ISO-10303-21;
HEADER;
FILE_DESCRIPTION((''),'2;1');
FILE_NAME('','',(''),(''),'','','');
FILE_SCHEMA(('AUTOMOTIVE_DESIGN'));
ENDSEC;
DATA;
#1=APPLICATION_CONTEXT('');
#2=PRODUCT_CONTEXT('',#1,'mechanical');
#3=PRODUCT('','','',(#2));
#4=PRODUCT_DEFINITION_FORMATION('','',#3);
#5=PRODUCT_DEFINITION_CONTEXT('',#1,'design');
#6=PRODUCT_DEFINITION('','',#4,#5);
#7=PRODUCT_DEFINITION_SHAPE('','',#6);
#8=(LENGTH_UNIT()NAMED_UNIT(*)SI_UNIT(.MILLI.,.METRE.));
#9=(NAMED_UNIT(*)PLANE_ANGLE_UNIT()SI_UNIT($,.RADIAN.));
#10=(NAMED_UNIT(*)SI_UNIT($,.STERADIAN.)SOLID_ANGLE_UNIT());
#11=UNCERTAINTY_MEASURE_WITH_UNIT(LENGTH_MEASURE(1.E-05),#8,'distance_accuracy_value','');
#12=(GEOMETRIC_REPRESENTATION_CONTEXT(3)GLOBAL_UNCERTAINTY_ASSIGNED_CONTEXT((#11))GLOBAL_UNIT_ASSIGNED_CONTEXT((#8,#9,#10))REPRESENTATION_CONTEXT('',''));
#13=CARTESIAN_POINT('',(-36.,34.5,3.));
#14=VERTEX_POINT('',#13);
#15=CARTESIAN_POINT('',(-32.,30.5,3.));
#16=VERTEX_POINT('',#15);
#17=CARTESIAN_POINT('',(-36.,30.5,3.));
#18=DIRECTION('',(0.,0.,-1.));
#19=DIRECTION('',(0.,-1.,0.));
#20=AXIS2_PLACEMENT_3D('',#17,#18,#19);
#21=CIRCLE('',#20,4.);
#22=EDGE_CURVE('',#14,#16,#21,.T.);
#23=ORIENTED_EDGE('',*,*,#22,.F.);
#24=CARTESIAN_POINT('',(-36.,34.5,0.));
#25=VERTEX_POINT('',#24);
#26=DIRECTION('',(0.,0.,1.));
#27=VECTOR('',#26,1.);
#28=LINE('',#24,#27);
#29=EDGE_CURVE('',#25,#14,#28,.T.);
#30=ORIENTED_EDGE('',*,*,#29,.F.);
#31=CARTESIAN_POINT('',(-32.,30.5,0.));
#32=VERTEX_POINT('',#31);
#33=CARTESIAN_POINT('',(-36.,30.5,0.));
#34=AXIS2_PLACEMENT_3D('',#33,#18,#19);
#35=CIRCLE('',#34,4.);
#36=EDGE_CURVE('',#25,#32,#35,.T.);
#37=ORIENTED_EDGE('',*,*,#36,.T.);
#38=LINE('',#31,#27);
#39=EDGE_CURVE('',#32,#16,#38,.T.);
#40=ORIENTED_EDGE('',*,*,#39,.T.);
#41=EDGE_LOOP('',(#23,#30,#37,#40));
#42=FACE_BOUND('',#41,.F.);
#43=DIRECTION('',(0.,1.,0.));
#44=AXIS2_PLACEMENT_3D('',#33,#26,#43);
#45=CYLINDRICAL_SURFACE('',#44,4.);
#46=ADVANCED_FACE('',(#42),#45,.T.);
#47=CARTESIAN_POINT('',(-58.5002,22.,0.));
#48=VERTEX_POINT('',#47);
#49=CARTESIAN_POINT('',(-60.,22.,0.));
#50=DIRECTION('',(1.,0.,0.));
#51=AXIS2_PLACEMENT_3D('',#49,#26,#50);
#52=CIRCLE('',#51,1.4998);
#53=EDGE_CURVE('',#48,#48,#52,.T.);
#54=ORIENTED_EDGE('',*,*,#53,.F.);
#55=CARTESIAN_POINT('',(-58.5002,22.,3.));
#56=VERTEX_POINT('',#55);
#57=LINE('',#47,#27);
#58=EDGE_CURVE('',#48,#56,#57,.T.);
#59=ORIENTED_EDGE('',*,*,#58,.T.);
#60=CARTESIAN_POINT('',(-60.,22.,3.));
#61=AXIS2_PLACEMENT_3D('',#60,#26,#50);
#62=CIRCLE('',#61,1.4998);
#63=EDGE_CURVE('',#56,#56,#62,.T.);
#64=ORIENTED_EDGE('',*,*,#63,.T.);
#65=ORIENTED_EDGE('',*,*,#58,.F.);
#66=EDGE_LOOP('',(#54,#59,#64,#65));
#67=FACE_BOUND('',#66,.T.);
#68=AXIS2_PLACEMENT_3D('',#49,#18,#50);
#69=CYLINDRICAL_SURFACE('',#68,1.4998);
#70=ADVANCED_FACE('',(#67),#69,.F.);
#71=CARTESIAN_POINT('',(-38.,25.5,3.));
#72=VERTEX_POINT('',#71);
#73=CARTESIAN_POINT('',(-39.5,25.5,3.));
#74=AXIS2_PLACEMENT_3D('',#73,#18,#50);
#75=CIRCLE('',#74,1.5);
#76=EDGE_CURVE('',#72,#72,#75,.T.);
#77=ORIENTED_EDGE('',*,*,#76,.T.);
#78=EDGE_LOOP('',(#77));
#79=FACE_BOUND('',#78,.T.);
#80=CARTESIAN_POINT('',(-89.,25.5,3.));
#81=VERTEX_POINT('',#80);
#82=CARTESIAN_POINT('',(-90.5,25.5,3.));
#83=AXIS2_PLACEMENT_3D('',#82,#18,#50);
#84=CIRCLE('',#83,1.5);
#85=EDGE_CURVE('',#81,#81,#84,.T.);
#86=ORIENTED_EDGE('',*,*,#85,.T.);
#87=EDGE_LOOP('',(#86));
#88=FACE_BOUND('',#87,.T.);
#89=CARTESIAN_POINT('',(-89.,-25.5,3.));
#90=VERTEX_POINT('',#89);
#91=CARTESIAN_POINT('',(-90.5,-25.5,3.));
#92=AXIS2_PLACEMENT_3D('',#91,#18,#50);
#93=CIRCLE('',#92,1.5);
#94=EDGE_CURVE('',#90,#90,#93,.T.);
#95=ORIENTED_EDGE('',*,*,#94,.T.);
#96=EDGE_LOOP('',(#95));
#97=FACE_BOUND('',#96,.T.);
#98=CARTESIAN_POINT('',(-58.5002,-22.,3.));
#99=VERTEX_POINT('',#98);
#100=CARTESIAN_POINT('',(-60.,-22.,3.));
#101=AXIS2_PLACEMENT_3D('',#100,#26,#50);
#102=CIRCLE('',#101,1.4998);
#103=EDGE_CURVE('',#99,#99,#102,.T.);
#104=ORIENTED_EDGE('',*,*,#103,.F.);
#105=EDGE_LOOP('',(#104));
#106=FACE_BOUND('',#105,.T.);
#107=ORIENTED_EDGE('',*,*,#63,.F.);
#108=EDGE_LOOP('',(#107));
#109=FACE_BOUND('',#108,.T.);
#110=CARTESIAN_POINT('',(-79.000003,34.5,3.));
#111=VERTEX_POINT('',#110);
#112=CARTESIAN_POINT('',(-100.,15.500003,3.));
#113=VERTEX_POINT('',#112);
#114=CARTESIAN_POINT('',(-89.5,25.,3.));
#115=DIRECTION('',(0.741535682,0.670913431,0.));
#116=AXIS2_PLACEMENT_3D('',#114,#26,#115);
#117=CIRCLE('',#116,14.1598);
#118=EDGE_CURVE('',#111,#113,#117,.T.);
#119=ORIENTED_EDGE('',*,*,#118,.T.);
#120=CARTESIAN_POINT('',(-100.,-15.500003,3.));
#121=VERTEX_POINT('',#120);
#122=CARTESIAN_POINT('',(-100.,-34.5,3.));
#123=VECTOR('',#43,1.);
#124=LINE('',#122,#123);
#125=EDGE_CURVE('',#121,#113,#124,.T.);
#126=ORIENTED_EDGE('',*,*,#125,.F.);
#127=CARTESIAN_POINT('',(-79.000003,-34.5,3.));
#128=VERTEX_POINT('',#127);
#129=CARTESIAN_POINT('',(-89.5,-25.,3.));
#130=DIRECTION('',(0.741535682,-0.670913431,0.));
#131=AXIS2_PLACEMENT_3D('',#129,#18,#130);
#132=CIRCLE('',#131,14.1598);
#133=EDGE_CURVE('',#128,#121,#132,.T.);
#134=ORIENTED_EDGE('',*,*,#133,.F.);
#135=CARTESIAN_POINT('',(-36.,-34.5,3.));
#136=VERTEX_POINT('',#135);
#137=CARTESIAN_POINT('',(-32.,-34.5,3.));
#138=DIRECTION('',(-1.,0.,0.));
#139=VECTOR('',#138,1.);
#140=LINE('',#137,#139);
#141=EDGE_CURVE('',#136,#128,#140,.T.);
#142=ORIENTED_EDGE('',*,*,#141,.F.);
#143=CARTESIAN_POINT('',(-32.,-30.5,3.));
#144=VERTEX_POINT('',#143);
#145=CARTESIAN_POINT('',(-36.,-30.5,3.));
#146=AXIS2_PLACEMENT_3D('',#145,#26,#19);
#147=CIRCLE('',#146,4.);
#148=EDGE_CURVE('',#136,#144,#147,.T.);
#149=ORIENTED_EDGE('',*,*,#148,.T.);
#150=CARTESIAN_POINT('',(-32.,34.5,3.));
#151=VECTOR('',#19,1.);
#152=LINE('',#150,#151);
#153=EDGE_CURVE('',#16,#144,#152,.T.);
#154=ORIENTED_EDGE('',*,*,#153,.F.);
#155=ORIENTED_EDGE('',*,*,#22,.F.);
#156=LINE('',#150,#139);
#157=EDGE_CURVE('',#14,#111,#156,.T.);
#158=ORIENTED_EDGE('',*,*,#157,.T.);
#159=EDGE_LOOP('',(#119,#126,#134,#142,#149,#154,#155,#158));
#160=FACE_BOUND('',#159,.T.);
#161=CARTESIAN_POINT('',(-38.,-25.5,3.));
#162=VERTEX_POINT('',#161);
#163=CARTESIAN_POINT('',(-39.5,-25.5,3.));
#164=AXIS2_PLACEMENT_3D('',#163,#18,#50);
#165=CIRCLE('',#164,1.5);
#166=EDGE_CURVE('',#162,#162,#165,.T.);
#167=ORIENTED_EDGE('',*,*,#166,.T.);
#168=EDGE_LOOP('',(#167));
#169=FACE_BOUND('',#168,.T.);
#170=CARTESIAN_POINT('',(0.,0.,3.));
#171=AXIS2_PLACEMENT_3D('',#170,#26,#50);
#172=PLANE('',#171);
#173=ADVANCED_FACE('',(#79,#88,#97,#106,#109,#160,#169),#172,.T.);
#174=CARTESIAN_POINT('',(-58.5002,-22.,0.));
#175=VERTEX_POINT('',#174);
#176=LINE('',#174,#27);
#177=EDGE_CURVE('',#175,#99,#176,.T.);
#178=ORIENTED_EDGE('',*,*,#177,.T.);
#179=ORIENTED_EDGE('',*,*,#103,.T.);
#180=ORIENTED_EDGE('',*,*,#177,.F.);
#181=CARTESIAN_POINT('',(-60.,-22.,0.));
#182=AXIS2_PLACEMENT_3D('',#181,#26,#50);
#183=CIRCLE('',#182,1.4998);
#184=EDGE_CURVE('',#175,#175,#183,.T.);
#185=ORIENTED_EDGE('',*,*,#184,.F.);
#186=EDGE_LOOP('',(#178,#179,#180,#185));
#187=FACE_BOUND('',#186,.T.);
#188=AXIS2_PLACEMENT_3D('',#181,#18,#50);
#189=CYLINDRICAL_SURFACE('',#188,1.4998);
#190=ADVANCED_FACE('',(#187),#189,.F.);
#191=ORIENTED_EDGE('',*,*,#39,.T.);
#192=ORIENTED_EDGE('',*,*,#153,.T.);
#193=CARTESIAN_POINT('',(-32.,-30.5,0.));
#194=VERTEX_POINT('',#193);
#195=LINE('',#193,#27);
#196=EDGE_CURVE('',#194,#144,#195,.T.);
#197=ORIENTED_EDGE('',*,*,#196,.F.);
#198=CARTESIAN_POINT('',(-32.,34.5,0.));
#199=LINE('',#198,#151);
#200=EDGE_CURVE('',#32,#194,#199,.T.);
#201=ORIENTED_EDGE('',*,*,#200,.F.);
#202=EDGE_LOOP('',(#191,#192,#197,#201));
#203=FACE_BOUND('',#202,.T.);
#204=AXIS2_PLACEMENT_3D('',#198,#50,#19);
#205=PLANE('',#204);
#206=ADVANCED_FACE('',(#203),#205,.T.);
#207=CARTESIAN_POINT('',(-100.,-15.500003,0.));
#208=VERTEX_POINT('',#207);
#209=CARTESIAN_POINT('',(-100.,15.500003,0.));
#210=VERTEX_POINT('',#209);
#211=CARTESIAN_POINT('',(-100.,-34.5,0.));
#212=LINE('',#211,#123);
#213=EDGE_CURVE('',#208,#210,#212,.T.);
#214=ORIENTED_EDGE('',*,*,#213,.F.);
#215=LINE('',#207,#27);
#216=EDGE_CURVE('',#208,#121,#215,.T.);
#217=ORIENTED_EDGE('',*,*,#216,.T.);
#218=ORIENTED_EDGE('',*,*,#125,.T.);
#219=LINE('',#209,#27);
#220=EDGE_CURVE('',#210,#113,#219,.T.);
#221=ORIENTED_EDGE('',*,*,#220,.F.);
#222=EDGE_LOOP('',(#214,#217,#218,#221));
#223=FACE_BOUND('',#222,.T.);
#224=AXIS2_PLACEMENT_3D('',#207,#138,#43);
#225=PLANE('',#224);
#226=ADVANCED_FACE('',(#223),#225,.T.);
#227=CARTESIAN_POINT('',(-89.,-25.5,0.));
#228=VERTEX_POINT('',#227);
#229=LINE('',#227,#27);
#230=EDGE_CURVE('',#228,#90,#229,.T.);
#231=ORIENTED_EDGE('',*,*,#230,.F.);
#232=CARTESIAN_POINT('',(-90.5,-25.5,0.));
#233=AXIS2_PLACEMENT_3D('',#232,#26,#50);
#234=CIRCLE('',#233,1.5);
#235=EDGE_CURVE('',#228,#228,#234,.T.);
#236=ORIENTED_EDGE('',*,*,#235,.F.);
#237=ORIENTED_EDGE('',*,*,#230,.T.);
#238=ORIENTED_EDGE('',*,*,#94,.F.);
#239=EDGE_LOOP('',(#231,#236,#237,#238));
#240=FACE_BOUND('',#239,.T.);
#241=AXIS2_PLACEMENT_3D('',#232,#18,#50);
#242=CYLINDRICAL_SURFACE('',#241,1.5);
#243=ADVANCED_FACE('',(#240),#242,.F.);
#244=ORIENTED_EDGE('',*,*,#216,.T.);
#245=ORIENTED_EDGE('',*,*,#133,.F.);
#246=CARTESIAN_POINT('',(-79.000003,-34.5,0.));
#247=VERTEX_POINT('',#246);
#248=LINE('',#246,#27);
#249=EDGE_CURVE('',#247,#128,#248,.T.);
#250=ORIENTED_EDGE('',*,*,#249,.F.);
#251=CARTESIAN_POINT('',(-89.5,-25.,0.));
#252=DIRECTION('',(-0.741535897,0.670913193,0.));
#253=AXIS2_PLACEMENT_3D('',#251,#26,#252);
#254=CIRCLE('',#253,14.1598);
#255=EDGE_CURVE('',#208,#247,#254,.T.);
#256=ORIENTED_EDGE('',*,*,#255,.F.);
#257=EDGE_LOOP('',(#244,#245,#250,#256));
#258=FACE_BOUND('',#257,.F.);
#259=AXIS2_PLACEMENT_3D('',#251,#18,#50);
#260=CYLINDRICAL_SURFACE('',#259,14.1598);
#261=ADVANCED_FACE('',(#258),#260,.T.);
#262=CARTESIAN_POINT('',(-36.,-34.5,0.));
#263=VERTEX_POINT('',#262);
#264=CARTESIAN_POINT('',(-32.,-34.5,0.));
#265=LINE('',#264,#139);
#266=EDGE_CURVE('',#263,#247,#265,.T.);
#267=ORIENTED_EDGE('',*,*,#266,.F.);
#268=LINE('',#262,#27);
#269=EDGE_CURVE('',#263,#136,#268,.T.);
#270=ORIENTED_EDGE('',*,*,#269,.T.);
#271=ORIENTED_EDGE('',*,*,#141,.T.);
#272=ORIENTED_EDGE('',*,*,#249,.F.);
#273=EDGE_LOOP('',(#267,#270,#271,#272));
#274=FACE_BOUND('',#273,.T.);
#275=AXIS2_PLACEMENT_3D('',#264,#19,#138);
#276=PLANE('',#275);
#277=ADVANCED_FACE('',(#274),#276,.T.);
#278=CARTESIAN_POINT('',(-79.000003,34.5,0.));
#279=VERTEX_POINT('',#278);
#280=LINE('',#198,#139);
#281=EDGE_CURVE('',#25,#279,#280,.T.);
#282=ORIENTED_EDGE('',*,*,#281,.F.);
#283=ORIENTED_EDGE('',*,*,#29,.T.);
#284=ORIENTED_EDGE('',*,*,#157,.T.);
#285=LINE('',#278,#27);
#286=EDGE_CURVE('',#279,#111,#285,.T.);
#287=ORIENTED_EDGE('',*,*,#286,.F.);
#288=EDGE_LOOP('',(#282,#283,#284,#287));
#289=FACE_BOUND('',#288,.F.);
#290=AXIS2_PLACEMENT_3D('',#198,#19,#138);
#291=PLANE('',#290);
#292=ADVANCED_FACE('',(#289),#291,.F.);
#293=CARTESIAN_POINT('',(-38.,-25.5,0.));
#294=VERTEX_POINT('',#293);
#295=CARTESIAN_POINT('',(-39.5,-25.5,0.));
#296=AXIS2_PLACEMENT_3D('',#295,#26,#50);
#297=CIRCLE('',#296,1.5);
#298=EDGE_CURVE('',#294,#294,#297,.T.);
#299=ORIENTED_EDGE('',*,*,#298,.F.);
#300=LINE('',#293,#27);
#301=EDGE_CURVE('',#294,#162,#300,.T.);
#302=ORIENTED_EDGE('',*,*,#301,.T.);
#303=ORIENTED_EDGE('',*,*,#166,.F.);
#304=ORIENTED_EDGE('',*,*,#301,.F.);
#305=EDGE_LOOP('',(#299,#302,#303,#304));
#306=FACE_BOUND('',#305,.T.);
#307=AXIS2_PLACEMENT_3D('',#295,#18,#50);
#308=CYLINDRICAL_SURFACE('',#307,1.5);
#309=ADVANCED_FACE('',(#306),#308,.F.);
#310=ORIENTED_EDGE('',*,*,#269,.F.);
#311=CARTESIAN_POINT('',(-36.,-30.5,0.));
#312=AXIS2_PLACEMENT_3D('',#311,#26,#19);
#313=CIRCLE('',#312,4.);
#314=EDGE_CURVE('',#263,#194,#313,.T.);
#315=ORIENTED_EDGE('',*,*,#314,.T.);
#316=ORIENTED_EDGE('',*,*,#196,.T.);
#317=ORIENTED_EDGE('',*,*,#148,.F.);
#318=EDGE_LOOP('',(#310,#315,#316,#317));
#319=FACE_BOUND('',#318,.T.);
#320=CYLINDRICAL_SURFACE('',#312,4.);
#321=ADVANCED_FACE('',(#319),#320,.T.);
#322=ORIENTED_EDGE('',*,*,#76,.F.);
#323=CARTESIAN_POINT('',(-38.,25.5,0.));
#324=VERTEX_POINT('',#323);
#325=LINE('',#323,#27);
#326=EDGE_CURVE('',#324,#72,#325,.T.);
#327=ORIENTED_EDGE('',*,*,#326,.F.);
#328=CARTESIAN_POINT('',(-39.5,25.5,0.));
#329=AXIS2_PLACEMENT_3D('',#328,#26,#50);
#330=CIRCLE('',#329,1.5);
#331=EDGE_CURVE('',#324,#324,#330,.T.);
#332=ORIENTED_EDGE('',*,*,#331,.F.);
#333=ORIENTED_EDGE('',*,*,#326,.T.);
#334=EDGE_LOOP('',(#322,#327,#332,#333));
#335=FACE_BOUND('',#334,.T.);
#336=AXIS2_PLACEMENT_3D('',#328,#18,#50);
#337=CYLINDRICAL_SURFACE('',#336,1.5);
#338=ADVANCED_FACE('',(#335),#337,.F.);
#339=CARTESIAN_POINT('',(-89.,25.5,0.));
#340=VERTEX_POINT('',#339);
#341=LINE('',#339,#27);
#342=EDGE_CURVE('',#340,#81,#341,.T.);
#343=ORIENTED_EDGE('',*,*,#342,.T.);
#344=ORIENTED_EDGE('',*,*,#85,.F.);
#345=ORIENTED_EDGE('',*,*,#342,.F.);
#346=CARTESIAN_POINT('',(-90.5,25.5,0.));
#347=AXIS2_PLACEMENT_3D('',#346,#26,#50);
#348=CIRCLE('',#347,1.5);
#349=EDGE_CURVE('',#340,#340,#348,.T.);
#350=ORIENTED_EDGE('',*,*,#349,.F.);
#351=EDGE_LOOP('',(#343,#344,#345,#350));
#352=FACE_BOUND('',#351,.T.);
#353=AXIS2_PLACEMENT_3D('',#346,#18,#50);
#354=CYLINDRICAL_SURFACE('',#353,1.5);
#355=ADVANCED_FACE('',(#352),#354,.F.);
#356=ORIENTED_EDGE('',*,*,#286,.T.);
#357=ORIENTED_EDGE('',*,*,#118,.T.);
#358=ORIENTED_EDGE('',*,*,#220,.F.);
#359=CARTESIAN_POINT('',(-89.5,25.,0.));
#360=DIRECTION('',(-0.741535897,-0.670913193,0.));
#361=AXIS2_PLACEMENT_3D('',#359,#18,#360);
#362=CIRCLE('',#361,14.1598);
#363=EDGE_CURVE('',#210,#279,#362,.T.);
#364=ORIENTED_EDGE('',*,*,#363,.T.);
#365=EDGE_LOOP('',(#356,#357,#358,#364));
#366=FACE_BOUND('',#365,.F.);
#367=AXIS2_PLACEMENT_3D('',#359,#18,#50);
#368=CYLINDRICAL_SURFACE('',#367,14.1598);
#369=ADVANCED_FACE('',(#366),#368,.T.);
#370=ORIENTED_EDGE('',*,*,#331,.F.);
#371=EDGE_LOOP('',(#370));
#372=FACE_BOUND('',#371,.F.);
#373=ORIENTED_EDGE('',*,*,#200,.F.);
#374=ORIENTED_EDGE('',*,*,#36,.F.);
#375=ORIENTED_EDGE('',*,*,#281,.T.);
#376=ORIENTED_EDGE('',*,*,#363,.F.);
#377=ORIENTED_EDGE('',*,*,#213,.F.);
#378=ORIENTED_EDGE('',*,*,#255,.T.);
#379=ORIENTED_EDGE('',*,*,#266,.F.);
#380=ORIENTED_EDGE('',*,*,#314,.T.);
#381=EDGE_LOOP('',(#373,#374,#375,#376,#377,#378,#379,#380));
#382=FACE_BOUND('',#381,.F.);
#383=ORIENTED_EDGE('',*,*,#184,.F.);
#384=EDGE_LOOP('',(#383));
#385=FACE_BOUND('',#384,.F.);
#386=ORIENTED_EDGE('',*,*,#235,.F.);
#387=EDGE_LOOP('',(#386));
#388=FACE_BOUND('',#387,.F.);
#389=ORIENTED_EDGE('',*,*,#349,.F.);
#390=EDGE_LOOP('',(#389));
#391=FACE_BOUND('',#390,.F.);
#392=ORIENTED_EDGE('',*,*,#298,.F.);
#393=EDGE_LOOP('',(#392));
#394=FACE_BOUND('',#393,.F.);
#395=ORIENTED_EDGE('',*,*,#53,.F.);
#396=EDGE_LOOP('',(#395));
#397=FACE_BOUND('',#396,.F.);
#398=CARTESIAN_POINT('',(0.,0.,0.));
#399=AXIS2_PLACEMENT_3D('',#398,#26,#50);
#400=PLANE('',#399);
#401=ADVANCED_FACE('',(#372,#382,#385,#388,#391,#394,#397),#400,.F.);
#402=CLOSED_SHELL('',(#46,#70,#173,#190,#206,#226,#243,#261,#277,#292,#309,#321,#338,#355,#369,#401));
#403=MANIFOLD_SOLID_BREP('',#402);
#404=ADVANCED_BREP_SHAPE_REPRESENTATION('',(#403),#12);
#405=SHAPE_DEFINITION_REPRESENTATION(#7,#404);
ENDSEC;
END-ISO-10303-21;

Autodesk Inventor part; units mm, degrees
ref_plane "YZ Plane" through (0, 0, 0) normal (1, 0, 0) x (0, 1, 0)
ref_plane "XZ Plane" through (0, 0, 0) normal (0, 1, 0) x (-1, 0, 0)
ref_plane "XY Plane" through (0, 0, 0) normal (0, 0, 1) x (1, 0, 0)
sketch "Sketch1" plane through (0, 0, 0) normal (0, 0, 1) x (1, 0, 0)
  point P0 (0, 0)
sketch "Sketch2" plane through (0, 0, 0) normal (0, 0, 1) x (1, 0, 0)
  line L0 (-100, -34.5) -> (-100, 34.5)
  circle A0 centre (-60, 22) radius 1.4998
  circle A1 centre (-60, -22) radius 1.4998
  circle A2 centre (-89.5, 25) radius 14.1598
  circle A3 centre (-89.5, -25) radius 14.1598
  line L1 (-32, 34.5) -> (-32, -34.5)
  line L2 (-32, 34.5) -> (-100, 34.5)
  line L3 (-32, -34.5) -> (-100, -34.5)
  circle A4 centre (-90.5, 25.5) radius 1.5
  circle A5 centre (-90.5, -25.5) radius 1.5
  circle A6 centre (-39.5, 25.5) radius 1.5
  circle A7 centre (-39.5, -25.5) radius 1.5
  point P0 (-100, 15.5)
  point P1 (-100, -15.5)
  point P2 (-79, -34.5)
  point P3 (-79, 34.5)
extrude "Extrusion1" add sketch "Sketch2" along normal blind 3 contours A3 L0 | L3 A3 | L0 A3 L3 | L0 A2 L2 L1 L3 A3 | A2 L0 | L0 L2 A2 | A2 L2 | A4 | A5 | A6 | A7
fillet "Fillet2" radius 4 2 edges at (-32, 34.5, 1.5) (-32, -34.5, 1.5)
extrude "Extrusion2" cut sketch "Sketch2" along normal blind 10 contours A4 | A5 | A6 | A7
properties part number "Power Distribution Board redo v2" material "CFRP"
